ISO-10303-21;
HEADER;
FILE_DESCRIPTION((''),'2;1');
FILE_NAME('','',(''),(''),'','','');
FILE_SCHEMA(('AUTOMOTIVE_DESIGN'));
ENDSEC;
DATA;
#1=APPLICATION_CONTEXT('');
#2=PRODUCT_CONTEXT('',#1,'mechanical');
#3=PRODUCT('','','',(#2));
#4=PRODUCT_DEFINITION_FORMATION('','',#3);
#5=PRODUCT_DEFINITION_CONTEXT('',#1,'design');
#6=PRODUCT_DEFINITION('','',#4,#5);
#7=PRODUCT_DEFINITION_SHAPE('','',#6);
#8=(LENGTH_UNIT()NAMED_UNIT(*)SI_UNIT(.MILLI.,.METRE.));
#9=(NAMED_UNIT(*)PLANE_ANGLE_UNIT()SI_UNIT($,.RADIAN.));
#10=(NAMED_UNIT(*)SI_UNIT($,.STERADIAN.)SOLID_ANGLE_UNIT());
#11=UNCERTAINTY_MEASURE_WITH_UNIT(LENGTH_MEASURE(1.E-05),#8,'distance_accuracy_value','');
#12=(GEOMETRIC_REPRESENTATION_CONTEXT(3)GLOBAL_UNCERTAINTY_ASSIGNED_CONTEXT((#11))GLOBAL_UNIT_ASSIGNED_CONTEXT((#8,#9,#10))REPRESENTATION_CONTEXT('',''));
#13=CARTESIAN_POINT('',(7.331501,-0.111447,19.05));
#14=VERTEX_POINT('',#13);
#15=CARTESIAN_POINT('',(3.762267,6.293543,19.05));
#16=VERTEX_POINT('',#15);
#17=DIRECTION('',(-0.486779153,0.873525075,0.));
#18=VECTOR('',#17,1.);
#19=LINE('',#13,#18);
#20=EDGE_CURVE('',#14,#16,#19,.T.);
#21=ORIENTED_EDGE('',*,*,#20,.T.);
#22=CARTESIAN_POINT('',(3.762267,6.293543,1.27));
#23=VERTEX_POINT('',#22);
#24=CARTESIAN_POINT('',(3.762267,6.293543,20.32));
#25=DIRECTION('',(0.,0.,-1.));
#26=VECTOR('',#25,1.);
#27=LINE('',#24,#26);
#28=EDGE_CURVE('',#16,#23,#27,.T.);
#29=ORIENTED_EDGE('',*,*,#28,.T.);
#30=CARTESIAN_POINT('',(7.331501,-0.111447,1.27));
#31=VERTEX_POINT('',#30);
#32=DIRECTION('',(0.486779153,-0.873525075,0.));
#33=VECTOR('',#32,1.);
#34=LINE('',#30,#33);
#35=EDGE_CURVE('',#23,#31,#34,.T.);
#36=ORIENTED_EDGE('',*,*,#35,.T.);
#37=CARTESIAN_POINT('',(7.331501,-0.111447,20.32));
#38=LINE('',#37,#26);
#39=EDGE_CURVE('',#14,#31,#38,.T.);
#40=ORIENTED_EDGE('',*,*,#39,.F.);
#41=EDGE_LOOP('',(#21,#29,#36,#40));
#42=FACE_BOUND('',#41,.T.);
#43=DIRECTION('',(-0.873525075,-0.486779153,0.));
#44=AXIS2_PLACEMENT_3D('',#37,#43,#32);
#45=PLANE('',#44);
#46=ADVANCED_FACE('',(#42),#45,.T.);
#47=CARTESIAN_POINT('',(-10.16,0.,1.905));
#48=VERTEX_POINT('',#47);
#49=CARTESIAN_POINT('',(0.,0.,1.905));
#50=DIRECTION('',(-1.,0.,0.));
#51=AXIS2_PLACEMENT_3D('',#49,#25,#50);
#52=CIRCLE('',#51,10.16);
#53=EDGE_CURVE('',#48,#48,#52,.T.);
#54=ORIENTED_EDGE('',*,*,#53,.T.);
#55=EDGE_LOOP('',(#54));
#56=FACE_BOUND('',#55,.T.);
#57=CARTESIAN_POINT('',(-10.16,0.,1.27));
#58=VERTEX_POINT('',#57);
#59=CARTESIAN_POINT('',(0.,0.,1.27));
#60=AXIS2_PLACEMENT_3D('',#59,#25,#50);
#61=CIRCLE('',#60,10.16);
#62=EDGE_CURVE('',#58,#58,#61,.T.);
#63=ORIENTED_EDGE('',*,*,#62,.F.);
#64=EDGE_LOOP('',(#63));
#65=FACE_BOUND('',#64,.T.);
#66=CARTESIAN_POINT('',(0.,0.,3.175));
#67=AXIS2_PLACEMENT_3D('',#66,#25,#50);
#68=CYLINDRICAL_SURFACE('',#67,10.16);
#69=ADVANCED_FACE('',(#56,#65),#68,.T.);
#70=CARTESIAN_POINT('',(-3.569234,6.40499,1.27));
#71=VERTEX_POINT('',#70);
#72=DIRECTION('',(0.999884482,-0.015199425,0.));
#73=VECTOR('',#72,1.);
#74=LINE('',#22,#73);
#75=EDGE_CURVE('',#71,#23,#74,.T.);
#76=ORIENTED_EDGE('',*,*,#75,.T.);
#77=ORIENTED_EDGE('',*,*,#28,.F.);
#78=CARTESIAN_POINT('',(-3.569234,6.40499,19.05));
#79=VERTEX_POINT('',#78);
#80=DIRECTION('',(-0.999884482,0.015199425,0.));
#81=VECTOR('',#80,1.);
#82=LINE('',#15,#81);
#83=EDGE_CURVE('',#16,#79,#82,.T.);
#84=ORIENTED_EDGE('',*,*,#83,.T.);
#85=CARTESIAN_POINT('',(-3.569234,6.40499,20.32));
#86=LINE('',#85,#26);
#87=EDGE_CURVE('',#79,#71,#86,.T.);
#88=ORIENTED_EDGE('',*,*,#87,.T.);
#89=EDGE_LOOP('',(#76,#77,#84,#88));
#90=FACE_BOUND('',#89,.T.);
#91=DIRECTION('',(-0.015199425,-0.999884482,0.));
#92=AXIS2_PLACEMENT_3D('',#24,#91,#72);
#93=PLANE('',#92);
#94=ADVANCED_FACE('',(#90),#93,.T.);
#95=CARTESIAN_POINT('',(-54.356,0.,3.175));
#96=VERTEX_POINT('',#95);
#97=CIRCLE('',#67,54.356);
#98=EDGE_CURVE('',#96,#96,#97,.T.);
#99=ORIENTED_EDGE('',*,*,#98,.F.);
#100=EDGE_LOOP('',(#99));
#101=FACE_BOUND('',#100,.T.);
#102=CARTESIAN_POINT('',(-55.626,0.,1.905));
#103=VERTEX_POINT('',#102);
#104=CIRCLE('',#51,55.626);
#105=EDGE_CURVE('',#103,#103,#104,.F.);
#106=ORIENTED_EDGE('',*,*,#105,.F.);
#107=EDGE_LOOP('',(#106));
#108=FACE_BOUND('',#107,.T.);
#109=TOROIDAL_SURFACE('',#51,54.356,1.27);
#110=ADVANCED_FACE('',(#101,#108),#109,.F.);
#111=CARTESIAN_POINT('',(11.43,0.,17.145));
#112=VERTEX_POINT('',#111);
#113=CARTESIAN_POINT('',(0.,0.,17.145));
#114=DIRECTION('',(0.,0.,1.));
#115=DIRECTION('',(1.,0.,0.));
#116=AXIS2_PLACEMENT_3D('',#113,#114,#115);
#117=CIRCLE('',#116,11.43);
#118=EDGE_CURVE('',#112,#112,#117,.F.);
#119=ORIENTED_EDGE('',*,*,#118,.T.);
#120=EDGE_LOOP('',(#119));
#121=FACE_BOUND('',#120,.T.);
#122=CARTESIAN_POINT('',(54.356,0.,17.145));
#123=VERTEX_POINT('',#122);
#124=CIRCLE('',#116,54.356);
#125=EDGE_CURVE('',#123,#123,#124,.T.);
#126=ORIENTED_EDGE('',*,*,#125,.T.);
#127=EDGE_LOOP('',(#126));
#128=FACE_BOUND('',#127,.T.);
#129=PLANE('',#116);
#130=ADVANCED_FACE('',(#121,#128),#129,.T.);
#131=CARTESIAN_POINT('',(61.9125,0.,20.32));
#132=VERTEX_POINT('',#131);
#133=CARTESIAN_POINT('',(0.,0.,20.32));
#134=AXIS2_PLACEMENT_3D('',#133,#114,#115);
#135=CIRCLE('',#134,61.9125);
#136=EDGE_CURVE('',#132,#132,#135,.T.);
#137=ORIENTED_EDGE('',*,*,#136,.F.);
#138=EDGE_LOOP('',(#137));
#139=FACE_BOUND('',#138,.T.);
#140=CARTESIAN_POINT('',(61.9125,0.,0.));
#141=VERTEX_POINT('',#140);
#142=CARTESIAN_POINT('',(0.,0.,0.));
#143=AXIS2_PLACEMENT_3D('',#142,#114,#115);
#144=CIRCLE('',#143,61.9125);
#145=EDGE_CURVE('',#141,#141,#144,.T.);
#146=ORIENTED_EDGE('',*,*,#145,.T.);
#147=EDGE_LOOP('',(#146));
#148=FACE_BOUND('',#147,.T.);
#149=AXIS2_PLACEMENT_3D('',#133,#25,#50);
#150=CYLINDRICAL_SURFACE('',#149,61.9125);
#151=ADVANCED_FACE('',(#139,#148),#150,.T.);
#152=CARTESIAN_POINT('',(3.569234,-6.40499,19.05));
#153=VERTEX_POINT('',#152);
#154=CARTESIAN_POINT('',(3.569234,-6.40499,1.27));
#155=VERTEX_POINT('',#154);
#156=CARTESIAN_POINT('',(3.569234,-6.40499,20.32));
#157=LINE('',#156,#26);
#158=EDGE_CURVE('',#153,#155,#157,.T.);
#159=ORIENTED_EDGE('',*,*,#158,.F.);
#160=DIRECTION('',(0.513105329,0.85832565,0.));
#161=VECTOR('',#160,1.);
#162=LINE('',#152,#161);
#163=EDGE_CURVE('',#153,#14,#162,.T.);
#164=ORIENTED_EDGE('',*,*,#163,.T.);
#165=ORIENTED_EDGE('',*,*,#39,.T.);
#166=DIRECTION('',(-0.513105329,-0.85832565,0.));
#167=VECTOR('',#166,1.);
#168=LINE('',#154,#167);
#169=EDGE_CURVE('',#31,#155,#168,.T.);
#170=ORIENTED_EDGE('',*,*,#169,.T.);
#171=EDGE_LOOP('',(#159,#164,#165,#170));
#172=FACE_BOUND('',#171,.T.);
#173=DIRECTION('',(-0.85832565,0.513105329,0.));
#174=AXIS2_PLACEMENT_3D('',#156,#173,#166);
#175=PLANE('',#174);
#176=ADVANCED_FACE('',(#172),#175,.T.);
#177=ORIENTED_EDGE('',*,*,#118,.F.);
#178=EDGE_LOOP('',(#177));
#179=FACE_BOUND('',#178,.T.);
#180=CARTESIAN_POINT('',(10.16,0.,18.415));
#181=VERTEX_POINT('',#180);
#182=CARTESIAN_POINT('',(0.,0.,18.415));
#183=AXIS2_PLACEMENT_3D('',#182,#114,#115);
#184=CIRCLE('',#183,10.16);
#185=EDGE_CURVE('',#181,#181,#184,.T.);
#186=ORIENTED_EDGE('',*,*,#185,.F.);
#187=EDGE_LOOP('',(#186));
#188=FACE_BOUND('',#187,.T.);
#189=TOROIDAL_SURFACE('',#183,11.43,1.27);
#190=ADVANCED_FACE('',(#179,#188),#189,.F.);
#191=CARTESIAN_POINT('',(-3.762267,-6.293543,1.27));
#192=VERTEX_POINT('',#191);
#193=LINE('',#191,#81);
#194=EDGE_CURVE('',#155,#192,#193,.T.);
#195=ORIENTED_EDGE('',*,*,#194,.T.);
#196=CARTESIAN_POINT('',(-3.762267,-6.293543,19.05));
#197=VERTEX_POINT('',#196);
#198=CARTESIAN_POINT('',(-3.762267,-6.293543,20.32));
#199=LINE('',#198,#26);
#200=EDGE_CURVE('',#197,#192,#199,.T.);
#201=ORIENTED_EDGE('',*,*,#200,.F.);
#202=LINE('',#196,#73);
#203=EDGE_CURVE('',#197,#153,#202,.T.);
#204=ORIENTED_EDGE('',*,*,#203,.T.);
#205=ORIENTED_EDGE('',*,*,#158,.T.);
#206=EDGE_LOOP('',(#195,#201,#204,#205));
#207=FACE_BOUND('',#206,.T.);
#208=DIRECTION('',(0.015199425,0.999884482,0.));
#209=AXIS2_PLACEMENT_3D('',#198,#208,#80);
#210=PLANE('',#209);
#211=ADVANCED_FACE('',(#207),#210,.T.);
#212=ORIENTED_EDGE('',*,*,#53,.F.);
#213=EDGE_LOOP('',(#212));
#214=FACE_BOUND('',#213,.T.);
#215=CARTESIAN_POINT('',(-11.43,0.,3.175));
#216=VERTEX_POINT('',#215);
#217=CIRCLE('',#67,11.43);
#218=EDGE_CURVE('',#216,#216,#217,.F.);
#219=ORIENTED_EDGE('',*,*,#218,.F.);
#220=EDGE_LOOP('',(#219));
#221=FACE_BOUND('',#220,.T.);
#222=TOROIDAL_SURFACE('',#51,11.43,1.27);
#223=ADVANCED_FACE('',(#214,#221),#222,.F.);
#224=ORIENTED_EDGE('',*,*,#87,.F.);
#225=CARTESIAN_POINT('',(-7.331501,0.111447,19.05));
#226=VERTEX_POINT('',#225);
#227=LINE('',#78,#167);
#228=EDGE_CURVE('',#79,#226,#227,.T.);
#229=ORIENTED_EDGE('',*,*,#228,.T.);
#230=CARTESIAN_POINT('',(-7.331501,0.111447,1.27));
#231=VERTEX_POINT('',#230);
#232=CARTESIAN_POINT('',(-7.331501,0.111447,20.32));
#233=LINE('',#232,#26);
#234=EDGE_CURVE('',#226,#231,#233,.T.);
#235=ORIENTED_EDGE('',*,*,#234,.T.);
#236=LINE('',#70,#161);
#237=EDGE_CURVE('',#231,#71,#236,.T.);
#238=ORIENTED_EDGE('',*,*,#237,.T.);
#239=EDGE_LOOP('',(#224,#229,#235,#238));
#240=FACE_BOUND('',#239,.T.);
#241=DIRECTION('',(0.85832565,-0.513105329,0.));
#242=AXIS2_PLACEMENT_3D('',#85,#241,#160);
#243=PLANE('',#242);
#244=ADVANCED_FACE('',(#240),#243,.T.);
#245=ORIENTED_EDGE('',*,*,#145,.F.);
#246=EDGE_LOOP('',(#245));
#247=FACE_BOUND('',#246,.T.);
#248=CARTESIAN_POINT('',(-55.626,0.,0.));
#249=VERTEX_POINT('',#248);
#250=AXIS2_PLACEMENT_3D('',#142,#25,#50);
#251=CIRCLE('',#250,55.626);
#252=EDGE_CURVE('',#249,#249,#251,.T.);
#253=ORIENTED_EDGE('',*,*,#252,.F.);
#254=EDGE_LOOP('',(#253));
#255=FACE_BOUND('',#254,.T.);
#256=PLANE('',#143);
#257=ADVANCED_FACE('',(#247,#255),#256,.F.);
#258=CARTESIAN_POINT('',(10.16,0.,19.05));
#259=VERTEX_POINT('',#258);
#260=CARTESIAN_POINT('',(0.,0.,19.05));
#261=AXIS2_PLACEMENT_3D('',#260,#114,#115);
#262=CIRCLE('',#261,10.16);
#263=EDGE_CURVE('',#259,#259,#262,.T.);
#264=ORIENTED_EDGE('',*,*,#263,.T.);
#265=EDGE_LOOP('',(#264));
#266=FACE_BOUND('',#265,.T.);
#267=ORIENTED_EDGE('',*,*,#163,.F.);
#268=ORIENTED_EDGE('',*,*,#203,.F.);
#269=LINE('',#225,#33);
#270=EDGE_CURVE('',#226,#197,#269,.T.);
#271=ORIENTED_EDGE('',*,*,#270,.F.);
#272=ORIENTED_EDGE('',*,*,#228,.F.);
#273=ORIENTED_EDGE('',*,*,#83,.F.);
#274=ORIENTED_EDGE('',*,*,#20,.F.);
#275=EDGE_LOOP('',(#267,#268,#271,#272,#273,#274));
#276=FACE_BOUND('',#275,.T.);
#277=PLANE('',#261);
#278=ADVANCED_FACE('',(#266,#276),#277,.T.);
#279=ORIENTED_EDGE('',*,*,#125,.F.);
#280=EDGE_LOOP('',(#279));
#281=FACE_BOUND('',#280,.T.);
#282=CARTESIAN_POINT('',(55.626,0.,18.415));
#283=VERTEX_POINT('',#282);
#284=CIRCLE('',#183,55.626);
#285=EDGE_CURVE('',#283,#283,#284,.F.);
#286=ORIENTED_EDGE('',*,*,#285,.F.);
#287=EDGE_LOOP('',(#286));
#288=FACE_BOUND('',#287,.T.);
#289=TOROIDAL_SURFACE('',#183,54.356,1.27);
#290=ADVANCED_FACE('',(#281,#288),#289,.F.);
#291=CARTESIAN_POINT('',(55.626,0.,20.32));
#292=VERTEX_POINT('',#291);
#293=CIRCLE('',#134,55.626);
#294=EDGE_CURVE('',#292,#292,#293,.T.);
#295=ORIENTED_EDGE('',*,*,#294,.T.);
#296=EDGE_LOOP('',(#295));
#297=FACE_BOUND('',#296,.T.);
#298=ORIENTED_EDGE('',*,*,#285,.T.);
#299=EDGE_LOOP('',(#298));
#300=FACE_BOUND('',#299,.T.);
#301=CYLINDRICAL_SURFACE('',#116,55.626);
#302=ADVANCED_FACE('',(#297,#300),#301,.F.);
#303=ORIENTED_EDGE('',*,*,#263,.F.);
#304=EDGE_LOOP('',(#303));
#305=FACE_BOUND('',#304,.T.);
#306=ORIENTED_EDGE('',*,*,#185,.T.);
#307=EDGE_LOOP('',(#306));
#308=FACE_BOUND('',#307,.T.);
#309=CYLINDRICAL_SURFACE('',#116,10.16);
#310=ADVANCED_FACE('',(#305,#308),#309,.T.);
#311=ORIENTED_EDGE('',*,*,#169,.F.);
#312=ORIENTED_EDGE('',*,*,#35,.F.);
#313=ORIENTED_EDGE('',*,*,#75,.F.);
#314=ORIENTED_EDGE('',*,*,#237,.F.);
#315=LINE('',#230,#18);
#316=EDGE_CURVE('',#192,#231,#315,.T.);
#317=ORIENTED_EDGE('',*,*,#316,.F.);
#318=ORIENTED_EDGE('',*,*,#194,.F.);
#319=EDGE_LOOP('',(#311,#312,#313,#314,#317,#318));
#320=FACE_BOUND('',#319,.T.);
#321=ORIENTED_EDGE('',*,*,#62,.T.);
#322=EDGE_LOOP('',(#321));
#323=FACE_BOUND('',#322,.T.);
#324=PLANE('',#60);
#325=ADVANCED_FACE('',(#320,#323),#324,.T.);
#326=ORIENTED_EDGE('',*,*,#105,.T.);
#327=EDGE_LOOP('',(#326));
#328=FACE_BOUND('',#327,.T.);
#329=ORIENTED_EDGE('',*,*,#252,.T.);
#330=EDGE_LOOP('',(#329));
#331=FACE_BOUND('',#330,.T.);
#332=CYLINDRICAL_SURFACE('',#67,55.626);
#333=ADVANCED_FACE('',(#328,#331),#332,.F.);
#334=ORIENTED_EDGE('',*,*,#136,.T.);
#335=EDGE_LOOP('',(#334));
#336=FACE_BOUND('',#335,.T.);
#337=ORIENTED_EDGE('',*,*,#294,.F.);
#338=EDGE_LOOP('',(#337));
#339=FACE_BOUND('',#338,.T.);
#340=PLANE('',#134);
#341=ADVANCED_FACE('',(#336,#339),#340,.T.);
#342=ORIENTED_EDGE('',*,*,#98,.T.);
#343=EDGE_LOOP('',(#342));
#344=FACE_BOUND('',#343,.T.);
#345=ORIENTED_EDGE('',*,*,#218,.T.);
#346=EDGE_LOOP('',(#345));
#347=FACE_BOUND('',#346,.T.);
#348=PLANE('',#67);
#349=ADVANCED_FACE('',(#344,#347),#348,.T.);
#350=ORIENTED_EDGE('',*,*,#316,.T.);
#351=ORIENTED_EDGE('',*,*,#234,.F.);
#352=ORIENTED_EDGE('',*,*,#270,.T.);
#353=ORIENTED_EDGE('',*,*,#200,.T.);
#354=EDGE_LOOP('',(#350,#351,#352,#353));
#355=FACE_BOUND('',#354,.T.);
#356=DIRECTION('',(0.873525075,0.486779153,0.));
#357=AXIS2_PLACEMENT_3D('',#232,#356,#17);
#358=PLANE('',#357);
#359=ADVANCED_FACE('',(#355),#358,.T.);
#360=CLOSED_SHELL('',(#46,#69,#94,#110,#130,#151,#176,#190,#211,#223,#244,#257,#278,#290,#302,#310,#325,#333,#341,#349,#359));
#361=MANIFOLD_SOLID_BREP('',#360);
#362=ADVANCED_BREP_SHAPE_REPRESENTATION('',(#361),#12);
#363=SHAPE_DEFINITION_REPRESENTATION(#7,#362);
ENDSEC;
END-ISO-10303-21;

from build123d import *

# Parameters (mm, degrees)
SKETCH1_R           = 61.9125
BOSS_EXTRUDE1_DEPTH = 20.32
SKETCH2_R           = 55.626
SKETCH2_R_2         = 10.16
CUT_EXTRUDE1_DEPTH  = 3.175
SKETCH3_R           = 55.626
SKETCH3_R_2         = 10.16
CUT_EXTRUDE2_DEPTH  = 3.175
SKETCH4_R           = 10.16
CUT_EXTRUDE3_DEPTH  = 1.27
SKETCH7_R           = 10.16
CUT_EXTRUDE5_DEPTH  = 1.27
FILLET1_R           = 1.27


with BuildPart() as part:
    # Sketch1 → Boss-Extrude1 (new body)
    with BuildSketch(Plane.XY):
        Circle(SKETCH1_R)
        Polygon((3.569234353, -6.4049902), (7.331501401, -0.111447478), (3.762267048, 6.293542722), (-3.569234353, 6.4049902), (-7.331501401, 0.111447478), (-3.762267048, -6.293542722), align=None, mode=Mode.SUBTRACT)
    extrude(amount=BOSS_EXTRUDE1_DEPTH)

    # Sketch2 → Cut-Extrude1 (cut)
    with BuildSketch(Plane.XY.offset(20.32)):
        Circle(SKETCH2_R)
        Circle(SKETCH2_R_2, mode=Mode.SUBTRACT)
    extrude(amount=-CUT_EXTRUDE1_DEPTH, mode=Mode.SUBTRACT)

    # Sketch3 → Cut-Extrude2 (cut)
    with BuildSketch(Plane(origin=(0, 0, 0), x_dir=(-1, 0, 0), z_dir=(0, 0, -1))):
        Circle(SKETCH3_R)
        Circle(SKETCH3_R_2, mode=Mode.SUBTRACT)
    extrude(amount=-CUT_EXTRUDE2_DEPTH, mode=Mode.SUBTRACT)

    # Sketch4 → Cut-Extrude3 (cut)
    with BuildSketch(Plane(origin=(0, 0, 0), x_dir=(-1, 0, 0), z_dir=(0, 0, -1))):
        Circle(SKETCH4_R)
    extrude(amount=-CUT_EXTRUDE3_DEPTH, mode=Mode.SUBTRACT)

    # Sketch7 → Cut-Extrude5 (cut)
    with BuildSketch(Plane.XY.offset(20.32)):
        Circle(SKETCH7_R)
    extrude(amount=-CUT_EXTRUDE5_DEPTH, mode=Mode.SUBTRACT)

    # Fillet1
    fillet1_edges = [part.edges().sort_by_distance(p)[0] for p in [
        (-55.626, 0, 17.145),
        (-10.16, 0, 17.145),
        (55.626, 0, 3.175),
        (10.16, 0, 3.175),
    ]]
    fillet(fillet1_edges, radius=FILLET1_R)


solid = part.part
